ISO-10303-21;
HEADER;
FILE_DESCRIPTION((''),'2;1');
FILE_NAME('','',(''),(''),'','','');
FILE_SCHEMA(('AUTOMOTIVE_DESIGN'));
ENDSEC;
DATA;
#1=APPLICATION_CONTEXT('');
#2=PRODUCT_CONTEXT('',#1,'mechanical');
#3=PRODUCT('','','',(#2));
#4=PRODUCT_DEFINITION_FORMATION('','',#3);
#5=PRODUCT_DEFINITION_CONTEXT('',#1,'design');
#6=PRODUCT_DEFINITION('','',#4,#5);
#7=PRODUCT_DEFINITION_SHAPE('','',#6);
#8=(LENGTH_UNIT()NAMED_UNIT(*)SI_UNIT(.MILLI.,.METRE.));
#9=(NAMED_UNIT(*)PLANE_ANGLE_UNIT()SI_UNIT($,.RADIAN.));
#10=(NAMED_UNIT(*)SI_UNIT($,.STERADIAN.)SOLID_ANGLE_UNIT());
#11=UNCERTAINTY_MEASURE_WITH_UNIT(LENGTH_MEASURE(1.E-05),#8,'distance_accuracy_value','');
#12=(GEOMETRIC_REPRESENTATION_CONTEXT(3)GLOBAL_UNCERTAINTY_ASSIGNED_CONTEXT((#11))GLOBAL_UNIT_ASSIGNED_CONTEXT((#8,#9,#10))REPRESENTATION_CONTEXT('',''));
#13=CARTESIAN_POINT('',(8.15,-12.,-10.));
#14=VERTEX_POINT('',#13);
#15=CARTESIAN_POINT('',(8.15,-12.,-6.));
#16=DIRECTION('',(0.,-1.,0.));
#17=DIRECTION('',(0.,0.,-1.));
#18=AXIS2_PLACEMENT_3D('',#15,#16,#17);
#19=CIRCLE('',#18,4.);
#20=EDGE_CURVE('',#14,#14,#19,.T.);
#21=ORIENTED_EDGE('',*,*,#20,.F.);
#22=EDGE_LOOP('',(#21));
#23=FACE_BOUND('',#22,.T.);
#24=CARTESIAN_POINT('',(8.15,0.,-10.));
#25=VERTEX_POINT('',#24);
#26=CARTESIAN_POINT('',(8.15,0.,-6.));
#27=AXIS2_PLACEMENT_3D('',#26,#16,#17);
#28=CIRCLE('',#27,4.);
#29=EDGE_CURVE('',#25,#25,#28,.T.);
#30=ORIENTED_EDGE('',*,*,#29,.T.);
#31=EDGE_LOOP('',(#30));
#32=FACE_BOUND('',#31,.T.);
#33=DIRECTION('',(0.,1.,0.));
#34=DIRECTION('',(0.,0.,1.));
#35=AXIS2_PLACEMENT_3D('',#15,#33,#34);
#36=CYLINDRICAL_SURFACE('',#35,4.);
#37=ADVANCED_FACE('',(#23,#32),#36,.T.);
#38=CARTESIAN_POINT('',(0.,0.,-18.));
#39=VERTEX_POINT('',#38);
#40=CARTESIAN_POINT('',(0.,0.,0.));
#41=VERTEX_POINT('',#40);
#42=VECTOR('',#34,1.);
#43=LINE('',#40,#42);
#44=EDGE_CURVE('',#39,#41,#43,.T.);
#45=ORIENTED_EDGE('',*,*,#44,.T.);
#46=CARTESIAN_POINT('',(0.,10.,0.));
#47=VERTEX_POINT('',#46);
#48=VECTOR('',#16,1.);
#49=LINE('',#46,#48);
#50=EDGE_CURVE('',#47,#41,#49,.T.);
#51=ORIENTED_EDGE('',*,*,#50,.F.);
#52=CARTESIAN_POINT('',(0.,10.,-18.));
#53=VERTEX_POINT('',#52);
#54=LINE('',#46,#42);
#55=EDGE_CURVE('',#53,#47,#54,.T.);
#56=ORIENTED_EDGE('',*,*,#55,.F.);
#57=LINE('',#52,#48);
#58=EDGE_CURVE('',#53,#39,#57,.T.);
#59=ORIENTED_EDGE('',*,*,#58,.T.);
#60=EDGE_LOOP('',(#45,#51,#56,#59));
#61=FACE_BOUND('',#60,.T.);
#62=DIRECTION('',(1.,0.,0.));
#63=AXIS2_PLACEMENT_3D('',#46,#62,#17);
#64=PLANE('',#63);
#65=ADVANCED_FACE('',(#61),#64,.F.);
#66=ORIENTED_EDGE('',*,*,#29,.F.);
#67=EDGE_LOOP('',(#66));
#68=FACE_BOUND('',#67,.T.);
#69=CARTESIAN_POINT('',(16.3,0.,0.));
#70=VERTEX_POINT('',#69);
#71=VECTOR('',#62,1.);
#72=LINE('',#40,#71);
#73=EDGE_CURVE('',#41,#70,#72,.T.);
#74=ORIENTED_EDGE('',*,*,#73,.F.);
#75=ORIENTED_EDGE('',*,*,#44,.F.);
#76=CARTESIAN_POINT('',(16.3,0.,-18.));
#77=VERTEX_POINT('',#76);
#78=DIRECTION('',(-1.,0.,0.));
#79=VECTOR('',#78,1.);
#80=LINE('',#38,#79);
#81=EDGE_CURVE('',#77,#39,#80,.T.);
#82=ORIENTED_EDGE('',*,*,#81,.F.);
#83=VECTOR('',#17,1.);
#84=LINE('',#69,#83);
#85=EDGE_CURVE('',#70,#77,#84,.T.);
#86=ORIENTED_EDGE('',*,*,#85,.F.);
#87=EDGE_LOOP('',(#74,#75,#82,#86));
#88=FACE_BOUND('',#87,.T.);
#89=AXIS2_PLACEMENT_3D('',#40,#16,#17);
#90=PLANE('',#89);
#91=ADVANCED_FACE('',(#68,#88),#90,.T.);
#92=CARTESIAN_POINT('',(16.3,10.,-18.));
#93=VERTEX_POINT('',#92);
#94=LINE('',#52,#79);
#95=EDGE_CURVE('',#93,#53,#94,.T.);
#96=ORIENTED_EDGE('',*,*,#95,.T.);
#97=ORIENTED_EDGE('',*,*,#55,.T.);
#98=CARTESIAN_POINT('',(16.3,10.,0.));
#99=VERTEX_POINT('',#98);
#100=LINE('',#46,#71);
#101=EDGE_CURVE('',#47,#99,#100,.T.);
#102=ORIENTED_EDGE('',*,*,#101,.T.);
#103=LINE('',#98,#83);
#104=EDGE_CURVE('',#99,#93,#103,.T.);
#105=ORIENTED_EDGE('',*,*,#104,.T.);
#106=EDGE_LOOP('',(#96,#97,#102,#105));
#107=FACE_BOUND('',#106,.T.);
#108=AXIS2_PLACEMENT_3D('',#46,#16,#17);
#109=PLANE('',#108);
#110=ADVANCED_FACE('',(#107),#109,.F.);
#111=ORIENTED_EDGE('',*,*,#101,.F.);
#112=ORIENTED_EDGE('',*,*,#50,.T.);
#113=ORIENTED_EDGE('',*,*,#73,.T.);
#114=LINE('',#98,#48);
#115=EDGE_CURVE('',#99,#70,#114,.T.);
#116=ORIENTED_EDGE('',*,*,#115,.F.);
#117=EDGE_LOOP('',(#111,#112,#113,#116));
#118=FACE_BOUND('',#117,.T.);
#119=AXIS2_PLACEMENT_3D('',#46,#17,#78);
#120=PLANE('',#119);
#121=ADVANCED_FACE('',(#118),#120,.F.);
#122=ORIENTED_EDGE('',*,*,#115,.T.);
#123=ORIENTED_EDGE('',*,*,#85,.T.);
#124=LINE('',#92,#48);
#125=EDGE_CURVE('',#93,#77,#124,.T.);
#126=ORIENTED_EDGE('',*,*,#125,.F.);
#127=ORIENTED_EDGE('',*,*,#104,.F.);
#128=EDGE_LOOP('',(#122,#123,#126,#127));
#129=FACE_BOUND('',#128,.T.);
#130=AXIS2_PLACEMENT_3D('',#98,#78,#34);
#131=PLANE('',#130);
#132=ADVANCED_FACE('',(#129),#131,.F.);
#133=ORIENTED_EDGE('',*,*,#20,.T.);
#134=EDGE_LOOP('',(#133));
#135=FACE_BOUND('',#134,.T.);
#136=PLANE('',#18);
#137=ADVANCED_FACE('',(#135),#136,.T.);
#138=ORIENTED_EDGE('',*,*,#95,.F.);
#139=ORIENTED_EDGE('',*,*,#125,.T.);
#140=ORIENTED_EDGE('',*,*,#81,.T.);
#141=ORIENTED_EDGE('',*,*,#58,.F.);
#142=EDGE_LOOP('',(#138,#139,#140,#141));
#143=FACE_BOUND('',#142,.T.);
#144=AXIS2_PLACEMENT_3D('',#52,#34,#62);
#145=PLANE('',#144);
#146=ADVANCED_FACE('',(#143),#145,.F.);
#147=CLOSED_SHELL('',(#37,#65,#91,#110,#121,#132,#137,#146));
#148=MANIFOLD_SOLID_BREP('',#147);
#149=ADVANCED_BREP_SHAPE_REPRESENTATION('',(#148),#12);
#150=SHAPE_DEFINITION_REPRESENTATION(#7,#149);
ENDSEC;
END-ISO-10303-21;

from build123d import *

# Parameters (mm, degrees)
SKETCH_1_W      = 16.3
SKETCH_1_H      = 18
EXTRUDE_1_DEPTH = 10
SKETCH_3_R      = 4
EXTRUDE_2_DEPTH = 12


with BuildPart() as part:
    # Эскиз1 → Бобышка-Вытянуть1 (new body)
    with BuildSketch(Plane(origin=(0, 0, 0), x_dir=(1, 0, 0), z_dir=(0, 1, 0))):
        with Locations((8.15, 9)):
            Rectangle(SKETCH_1_W, SKETCH_1_H)
    extrude(amount=EXTRUDE_1_DEPTH)

    # Эскиз3 → Бобышка-Вытянуть2 (add)
    with BuildSketch(Plane.XZ):
        with Locations(Location((8.15, -6, 0), (0, 0, 270))):
            Circle(SKETCH_3_R)
    extrude(amount=EXTRUDE_2_DEPTH)


solid = part.part
